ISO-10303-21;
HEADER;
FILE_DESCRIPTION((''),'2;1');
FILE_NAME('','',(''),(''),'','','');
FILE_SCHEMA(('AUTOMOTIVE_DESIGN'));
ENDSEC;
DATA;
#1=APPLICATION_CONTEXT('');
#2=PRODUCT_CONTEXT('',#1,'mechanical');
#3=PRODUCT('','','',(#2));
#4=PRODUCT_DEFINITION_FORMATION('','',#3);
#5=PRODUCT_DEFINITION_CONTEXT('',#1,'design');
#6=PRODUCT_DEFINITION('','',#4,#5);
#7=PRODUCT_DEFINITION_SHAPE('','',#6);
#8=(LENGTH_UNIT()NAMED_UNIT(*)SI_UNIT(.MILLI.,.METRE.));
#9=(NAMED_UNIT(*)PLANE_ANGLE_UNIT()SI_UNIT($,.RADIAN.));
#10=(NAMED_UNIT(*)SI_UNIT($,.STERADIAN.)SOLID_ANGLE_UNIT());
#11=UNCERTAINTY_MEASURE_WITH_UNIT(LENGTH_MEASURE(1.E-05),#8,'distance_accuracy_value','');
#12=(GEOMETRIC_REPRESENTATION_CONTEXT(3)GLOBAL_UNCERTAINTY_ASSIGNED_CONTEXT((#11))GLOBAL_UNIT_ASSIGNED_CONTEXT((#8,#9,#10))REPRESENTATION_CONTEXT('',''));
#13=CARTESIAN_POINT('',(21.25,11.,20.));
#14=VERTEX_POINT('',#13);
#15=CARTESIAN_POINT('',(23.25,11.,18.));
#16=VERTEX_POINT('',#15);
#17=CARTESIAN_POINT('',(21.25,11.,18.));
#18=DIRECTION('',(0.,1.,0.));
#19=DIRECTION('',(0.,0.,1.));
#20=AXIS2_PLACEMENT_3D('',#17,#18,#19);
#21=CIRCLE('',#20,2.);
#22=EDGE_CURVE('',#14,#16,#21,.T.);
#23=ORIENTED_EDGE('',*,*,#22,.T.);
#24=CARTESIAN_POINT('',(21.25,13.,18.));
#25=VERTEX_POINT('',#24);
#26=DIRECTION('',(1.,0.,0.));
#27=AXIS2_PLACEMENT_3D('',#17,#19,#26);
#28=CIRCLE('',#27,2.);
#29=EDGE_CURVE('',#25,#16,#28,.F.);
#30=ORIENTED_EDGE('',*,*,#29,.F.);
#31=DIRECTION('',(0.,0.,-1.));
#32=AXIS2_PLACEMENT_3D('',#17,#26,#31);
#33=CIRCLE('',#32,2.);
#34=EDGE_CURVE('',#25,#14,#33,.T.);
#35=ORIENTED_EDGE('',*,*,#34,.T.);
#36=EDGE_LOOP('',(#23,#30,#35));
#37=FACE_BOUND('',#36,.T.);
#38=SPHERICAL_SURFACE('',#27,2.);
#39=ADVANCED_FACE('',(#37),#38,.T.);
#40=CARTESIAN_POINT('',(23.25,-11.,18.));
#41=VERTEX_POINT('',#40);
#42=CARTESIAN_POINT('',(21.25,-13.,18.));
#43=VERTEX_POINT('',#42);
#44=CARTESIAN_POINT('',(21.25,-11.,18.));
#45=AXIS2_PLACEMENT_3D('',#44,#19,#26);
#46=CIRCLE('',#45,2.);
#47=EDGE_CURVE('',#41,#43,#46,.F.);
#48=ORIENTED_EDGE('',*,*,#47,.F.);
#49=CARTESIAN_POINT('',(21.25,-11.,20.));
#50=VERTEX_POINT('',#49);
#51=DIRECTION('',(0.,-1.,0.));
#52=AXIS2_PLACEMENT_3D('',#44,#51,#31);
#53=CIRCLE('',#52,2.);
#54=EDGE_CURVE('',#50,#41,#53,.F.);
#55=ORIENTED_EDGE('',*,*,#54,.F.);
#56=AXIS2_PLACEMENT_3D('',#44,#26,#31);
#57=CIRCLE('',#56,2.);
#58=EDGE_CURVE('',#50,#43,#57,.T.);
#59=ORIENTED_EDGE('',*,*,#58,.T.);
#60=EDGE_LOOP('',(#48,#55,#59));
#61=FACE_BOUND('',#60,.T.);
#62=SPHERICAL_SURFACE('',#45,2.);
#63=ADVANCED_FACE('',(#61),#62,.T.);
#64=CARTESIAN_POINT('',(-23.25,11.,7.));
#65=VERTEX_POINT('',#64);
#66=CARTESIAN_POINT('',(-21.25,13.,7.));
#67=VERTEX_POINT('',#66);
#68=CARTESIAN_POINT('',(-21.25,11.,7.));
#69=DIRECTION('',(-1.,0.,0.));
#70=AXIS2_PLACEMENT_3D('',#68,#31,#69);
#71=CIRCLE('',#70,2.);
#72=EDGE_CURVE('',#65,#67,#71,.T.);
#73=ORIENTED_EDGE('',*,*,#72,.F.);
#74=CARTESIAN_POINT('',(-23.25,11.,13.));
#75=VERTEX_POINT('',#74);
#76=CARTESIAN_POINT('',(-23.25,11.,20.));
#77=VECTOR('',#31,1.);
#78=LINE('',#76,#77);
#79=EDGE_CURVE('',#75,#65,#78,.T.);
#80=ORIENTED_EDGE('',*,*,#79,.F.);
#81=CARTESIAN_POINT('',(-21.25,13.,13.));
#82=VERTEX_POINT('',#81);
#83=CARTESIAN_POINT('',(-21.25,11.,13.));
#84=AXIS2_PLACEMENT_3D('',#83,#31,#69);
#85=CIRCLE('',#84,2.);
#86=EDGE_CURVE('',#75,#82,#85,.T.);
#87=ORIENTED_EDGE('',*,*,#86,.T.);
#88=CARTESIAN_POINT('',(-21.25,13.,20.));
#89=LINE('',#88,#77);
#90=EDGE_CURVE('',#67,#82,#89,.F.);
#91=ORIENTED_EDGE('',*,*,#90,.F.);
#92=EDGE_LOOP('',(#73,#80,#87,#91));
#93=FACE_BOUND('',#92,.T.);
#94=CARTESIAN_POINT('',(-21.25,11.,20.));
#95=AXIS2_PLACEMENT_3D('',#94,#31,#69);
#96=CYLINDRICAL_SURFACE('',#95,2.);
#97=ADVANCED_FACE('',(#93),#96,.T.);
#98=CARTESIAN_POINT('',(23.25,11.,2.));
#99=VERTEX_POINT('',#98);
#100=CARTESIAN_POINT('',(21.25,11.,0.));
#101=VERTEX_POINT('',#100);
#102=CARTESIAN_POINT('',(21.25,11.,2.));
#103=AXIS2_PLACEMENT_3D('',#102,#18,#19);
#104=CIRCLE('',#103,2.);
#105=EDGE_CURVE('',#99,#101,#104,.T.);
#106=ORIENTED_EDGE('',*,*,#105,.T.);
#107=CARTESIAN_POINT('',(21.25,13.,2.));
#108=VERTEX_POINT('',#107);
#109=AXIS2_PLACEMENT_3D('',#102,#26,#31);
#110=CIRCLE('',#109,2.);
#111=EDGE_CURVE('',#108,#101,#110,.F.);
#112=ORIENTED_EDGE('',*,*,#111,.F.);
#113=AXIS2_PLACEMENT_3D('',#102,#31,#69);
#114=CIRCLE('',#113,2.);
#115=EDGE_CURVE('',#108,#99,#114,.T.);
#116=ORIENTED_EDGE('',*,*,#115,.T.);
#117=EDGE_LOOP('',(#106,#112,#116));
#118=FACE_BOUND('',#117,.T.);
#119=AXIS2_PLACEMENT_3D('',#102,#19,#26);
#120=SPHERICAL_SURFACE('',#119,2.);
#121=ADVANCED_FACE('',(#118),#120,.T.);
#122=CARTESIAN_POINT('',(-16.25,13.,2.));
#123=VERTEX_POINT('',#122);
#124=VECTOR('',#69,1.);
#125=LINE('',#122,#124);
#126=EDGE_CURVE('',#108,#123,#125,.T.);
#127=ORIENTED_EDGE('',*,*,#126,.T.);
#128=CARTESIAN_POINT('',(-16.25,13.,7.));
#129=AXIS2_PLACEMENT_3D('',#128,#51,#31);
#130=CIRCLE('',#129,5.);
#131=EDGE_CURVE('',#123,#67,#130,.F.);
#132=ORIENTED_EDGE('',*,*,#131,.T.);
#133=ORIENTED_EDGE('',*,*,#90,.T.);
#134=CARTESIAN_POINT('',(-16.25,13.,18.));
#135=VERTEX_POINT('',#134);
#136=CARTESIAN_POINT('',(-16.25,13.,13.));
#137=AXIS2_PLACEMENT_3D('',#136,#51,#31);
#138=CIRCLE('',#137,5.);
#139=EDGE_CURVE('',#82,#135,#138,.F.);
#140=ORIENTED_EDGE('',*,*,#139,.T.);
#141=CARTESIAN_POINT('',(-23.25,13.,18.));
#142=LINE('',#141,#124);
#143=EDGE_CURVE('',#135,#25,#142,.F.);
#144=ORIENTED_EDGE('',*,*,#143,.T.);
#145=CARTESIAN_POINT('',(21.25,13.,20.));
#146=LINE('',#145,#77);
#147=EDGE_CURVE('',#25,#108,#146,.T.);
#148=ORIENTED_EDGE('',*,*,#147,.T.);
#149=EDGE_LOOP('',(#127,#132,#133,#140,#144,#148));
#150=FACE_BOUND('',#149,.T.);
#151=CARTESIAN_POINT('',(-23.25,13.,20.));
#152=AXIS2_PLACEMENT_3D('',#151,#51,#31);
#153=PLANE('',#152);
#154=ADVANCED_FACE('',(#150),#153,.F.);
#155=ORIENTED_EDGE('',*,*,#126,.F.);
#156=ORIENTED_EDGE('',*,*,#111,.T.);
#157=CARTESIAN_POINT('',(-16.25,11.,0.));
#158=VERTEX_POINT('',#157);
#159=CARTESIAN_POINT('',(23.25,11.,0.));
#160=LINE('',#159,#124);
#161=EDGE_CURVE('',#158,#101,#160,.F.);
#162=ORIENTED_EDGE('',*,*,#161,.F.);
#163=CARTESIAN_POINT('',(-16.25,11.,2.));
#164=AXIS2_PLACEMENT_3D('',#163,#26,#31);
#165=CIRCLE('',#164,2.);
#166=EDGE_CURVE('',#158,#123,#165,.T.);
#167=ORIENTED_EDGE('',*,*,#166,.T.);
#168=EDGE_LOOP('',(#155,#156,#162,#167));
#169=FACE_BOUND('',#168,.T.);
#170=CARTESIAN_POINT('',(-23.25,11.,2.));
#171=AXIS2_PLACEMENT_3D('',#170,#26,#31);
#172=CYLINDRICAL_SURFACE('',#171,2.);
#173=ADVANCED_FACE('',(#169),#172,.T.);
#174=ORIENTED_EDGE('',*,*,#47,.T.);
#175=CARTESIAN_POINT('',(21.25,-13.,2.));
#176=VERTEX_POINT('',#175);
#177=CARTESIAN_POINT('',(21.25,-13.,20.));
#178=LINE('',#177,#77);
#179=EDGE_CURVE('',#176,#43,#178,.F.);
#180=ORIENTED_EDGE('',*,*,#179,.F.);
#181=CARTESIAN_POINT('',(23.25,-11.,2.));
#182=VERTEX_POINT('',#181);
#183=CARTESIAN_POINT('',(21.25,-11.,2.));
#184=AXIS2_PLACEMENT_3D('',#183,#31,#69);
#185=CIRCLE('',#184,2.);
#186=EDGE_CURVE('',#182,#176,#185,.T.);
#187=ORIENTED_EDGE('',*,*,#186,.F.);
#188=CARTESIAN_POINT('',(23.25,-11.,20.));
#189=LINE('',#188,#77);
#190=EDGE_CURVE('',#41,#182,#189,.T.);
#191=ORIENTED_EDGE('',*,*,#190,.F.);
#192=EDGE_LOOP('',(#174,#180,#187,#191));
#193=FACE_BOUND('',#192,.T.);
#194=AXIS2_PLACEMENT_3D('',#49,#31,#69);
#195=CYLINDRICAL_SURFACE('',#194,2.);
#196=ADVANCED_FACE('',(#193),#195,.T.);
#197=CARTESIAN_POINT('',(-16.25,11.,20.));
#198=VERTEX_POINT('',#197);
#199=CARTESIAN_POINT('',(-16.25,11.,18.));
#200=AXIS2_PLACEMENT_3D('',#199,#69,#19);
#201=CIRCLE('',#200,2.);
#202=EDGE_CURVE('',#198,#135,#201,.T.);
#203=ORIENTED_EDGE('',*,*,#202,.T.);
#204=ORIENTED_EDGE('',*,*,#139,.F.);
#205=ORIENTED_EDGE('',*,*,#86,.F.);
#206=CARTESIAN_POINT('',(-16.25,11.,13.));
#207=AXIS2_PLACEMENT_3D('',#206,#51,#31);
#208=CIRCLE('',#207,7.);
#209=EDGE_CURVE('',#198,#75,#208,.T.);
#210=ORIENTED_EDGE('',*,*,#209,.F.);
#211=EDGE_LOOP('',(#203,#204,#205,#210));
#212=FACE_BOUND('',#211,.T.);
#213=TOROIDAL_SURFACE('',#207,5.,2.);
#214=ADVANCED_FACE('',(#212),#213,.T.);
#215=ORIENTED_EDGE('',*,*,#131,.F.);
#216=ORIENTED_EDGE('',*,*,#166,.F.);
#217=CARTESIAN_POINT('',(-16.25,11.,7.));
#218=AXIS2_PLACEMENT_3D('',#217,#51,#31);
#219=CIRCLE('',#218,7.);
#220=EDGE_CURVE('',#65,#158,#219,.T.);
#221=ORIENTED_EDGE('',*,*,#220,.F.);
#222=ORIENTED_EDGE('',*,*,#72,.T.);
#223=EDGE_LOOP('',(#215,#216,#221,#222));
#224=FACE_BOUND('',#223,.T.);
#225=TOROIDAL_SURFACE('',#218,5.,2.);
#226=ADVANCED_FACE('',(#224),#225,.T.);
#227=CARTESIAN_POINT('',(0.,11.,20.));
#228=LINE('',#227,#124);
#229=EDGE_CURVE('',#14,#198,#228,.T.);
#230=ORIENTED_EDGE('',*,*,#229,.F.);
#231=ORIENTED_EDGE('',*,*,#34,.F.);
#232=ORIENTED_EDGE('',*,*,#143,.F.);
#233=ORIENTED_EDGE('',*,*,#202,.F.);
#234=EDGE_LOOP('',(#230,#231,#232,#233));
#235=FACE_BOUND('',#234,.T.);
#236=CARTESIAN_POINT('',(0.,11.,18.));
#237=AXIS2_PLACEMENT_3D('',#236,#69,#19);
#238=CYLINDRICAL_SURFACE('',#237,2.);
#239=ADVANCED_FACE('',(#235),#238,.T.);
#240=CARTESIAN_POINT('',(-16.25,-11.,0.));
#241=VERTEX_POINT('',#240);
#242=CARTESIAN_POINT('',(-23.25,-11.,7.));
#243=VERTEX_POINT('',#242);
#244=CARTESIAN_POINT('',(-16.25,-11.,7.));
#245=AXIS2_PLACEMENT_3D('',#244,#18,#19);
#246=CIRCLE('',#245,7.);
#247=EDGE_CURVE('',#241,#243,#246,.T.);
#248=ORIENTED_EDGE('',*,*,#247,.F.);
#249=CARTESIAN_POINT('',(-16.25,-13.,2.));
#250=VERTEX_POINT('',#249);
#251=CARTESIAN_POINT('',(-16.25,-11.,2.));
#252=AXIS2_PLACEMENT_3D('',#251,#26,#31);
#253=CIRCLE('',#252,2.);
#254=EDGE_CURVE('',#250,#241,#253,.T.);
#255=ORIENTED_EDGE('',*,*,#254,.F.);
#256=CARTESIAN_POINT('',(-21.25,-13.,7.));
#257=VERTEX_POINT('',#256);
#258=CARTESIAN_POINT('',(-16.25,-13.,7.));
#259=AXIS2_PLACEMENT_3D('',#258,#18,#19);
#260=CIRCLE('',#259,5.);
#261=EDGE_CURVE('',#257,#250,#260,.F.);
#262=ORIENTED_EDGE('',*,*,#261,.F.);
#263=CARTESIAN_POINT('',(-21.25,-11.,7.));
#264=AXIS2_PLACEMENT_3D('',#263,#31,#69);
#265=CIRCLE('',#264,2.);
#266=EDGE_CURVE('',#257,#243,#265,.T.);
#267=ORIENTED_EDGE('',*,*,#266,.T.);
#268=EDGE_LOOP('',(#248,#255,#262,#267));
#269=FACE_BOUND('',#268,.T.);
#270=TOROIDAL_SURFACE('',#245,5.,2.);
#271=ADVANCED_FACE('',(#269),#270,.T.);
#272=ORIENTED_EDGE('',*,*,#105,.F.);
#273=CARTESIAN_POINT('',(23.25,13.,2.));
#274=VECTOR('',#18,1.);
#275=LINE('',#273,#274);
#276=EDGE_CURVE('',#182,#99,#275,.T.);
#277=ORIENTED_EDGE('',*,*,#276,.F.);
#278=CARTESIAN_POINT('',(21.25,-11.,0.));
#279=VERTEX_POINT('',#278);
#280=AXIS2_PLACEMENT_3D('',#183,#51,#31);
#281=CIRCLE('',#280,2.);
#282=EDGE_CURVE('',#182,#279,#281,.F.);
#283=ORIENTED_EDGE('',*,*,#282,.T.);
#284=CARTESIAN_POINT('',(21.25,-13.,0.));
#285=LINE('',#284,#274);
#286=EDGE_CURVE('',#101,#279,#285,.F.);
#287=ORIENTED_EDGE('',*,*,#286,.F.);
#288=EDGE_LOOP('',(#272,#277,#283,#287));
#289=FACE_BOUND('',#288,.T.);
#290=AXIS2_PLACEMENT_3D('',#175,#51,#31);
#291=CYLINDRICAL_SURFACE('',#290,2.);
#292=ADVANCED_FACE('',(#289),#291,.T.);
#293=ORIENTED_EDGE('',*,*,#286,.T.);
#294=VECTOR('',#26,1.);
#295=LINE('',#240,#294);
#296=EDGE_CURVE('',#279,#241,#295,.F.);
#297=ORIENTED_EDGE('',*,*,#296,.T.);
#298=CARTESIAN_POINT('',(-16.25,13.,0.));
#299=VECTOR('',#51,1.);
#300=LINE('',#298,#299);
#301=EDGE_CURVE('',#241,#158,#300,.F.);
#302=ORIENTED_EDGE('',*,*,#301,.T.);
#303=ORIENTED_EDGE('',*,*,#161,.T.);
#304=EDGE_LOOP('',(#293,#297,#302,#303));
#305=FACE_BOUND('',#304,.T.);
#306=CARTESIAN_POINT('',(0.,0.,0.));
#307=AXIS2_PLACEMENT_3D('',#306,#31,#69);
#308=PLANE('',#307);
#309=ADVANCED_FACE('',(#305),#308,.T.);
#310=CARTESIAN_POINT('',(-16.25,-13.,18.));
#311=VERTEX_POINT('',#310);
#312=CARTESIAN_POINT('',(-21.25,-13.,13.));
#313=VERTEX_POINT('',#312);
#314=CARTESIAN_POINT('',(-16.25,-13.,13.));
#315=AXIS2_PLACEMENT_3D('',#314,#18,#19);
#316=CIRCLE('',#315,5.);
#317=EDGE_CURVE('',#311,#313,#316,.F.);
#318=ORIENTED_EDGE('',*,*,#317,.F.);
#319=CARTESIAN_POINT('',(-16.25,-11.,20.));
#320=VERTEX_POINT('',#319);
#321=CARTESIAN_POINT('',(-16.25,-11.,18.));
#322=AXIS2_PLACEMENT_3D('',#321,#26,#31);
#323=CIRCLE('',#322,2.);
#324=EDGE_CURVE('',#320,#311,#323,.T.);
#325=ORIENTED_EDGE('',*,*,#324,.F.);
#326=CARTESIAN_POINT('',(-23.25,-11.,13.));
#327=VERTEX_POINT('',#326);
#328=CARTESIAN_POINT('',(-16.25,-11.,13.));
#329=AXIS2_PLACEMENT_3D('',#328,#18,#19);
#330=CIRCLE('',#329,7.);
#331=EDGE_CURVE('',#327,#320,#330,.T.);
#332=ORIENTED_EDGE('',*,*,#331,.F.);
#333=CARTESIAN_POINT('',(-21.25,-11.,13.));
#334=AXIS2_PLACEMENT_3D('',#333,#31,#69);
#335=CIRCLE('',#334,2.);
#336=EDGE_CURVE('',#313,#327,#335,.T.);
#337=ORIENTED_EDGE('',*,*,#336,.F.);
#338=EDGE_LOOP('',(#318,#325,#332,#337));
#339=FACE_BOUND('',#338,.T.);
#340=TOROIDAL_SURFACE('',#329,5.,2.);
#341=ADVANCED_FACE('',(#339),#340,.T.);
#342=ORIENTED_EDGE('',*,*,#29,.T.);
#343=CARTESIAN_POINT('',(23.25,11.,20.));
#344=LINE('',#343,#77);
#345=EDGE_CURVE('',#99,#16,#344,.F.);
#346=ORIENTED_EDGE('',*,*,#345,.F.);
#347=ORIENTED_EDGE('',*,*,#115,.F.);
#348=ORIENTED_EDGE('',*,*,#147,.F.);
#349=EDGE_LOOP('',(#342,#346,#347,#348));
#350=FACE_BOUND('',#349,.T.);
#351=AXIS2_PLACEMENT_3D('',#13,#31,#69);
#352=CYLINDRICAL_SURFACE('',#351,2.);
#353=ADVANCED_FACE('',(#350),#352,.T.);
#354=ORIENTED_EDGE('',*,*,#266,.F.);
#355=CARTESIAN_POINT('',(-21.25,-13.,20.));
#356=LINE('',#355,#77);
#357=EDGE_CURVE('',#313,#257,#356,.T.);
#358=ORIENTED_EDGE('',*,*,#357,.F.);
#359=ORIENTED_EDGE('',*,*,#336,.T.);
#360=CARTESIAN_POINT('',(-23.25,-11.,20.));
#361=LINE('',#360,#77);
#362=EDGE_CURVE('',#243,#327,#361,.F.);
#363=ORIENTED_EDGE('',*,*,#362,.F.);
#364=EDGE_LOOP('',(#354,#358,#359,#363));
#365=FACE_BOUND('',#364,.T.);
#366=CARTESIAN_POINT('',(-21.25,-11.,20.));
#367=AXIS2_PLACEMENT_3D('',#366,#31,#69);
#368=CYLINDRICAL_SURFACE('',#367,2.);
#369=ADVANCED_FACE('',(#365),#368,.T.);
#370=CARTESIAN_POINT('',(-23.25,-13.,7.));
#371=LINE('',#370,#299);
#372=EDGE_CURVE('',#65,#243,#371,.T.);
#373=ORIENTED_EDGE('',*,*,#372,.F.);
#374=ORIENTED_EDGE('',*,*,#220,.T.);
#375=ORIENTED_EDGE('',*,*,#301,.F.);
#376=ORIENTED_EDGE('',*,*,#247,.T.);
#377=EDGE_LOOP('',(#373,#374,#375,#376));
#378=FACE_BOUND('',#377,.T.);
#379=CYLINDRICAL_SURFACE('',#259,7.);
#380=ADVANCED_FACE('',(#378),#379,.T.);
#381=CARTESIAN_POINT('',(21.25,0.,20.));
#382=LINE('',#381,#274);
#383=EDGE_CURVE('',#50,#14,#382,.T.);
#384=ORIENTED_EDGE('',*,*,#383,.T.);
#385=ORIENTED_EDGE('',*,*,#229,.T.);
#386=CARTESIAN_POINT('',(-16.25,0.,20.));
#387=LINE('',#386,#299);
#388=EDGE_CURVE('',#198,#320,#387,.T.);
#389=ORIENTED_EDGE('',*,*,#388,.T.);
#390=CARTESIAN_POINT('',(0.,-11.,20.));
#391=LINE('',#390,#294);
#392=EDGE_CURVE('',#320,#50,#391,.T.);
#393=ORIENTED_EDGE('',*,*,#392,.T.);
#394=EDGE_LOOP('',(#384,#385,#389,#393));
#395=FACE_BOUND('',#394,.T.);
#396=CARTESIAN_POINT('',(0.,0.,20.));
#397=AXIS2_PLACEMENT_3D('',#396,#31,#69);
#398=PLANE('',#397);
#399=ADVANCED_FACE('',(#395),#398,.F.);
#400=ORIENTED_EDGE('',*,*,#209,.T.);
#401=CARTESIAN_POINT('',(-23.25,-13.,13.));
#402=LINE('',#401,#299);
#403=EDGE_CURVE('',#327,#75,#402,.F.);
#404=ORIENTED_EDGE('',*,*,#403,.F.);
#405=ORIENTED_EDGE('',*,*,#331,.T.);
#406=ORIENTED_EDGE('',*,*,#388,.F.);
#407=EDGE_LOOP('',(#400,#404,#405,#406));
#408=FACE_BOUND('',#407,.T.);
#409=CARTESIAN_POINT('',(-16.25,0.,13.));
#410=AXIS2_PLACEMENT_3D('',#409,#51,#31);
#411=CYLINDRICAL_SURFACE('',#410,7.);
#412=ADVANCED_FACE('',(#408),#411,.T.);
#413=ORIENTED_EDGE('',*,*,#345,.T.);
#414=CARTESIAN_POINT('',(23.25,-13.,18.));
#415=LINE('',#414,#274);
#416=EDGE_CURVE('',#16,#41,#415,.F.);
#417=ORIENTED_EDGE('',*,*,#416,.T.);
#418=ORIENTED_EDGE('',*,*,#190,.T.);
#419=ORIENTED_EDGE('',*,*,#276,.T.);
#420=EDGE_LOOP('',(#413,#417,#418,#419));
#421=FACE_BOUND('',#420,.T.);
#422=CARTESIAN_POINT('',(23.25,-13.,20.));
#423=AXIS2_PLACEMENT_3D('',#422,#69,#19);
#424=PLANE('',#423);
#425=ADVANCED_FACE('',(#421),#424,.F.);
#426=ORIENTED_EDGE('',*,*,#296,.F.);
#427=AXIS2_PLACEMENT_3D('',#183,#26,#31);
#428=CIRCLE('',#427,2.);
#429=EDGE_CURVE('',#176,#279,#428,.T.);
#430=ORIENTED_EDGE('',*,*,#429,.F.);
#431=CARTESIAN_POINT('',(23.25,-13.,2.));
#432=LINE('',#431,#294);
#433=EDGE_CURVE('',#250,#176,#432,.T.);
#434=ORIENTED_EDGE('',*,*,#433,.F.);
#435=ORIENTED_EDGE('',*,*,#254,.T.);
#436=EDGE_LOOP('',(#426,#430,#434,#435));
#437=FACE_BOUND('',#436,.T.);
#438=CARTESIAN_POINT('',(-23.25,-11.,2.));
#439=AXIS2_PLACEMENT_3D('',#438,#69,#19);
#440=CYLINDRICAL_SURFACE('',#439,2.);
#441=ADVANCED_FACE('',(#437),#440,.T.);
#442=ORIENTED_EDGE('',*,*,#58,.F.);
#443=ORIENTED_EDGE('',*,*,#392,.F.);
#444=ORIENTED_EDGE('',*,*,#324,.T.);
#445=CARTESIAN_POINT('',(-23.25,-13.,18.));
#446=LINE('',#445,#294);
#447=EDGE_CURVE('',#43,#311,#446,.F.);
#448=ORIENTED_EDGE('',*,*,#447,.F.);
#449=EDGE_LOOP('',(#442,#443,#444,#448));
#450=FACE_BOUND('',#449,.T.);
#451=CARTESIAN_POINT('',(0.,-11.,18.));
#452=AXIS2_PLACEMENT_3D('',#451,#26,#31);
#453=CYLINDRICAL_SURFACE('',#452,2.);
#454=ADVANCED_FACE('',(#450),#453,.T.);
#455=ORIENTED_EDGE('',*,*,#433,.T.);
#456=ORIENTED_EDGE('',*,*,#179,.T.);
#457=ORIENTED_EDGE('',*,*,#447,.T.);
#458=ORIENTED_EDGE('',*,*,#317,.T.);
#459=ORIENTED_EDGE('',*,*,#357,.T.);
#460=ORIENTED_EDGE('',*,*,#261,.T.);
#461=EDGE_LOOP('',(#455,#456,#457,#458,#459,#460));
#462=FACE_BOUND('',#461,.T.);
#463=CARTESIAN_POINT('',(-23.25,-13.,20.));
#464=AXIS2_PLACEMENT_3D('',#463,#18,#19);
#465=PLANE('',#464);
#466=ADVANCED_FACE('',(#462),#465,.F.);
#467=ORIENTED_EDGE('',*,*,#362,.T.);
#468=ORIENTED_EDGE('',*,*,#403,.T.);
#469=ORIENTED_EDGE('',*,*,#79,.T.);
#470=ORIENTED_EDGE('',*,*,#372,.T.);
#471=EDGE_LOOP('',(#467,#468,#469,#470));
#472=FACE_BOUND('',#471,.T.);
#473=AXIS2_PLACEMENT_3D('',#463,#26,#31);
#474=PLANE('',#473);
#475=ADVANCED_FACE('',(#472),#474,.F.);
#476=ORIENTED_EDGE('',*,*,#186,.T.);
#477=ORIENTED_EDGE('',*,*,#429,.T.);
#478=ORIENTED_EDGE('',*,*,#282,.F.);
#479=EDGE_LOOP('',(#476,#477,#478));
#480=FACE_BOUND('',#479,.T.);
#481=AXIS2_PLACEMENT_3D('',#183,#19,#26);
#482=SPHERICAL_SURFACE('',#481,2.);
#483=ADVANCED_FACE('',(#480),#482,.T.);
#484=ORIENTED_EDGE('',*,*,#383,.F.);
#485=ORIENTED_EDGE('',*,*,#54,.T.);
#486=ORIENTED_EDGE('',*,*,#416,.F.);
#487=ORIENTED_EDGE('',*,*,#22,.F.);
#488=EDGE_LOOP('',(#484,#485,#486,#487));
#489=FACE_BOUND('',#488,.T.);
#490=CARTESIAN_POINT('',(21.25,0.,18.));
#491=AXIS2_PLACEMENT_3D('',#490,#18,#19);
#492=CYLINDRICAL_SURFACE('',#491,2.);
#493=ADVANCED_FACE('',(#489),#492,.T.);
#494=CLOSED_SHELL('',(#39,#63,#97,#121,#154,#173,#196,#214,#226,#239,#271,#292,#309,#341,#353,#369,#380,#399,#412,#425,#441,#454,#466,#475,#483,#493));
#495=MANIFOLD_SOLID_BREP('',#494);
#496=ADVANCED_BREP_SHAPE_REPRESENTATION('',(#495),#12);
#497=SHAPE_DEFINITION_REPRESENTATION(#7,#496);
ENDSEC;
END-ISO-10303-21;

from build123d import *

# Parameters (mm, degrees)
SKETCH1_W           = 46.5
SKETCH1_H           = 26
BOSS_EXTRUDE1_DEPTH = 20
FILLET1_R           = 7
FILLET2_R           = 2


with BuildPart() as part:
    # Sketch1 → Boss-Extrude1 (new body)
    with BuildSketch(Plane.XY):
        Rectangle(SKETCH1_W, SKETCH1_H)
    extrude(amount=BOSS_EXTRUDE1_DEPTH)

    # Fillet1
    fillet1_edges = [part.edges().sort_by_distance(p)[0] for p in [
        (-23.25, 0, 20),
        (-23.25, 0, 0),
    ]]
    fillet(fillet1_edges, radius=FILLET1_R)

    # Fillet2
    fillet2_edges = [part.edges().sort_by_distance(p)[0] for p in [
        (-23.25, -13, 10),
        (-23.25, 13, 10),
        (3.5, -13, 0),
        (3.5, -13, 20),
        (-21.199747468, -13, 17.949747468),
        (-21.199747468, -13, 2.050252532),
        (-21.199747468, 13, 17.949747468),
        (-21.199747468, 13, 2.050252532),
        (23.25, 0, 20),
        (3.5, 13, 0),
        (23.25, 0, 0),
        (23.25, -13, 10),
        (23.25, 13, 10),
        (3.5, 13, 20),
    ]]
    fillet(fillet2_edges, radius=FILLET2_R)


solid = part.part
